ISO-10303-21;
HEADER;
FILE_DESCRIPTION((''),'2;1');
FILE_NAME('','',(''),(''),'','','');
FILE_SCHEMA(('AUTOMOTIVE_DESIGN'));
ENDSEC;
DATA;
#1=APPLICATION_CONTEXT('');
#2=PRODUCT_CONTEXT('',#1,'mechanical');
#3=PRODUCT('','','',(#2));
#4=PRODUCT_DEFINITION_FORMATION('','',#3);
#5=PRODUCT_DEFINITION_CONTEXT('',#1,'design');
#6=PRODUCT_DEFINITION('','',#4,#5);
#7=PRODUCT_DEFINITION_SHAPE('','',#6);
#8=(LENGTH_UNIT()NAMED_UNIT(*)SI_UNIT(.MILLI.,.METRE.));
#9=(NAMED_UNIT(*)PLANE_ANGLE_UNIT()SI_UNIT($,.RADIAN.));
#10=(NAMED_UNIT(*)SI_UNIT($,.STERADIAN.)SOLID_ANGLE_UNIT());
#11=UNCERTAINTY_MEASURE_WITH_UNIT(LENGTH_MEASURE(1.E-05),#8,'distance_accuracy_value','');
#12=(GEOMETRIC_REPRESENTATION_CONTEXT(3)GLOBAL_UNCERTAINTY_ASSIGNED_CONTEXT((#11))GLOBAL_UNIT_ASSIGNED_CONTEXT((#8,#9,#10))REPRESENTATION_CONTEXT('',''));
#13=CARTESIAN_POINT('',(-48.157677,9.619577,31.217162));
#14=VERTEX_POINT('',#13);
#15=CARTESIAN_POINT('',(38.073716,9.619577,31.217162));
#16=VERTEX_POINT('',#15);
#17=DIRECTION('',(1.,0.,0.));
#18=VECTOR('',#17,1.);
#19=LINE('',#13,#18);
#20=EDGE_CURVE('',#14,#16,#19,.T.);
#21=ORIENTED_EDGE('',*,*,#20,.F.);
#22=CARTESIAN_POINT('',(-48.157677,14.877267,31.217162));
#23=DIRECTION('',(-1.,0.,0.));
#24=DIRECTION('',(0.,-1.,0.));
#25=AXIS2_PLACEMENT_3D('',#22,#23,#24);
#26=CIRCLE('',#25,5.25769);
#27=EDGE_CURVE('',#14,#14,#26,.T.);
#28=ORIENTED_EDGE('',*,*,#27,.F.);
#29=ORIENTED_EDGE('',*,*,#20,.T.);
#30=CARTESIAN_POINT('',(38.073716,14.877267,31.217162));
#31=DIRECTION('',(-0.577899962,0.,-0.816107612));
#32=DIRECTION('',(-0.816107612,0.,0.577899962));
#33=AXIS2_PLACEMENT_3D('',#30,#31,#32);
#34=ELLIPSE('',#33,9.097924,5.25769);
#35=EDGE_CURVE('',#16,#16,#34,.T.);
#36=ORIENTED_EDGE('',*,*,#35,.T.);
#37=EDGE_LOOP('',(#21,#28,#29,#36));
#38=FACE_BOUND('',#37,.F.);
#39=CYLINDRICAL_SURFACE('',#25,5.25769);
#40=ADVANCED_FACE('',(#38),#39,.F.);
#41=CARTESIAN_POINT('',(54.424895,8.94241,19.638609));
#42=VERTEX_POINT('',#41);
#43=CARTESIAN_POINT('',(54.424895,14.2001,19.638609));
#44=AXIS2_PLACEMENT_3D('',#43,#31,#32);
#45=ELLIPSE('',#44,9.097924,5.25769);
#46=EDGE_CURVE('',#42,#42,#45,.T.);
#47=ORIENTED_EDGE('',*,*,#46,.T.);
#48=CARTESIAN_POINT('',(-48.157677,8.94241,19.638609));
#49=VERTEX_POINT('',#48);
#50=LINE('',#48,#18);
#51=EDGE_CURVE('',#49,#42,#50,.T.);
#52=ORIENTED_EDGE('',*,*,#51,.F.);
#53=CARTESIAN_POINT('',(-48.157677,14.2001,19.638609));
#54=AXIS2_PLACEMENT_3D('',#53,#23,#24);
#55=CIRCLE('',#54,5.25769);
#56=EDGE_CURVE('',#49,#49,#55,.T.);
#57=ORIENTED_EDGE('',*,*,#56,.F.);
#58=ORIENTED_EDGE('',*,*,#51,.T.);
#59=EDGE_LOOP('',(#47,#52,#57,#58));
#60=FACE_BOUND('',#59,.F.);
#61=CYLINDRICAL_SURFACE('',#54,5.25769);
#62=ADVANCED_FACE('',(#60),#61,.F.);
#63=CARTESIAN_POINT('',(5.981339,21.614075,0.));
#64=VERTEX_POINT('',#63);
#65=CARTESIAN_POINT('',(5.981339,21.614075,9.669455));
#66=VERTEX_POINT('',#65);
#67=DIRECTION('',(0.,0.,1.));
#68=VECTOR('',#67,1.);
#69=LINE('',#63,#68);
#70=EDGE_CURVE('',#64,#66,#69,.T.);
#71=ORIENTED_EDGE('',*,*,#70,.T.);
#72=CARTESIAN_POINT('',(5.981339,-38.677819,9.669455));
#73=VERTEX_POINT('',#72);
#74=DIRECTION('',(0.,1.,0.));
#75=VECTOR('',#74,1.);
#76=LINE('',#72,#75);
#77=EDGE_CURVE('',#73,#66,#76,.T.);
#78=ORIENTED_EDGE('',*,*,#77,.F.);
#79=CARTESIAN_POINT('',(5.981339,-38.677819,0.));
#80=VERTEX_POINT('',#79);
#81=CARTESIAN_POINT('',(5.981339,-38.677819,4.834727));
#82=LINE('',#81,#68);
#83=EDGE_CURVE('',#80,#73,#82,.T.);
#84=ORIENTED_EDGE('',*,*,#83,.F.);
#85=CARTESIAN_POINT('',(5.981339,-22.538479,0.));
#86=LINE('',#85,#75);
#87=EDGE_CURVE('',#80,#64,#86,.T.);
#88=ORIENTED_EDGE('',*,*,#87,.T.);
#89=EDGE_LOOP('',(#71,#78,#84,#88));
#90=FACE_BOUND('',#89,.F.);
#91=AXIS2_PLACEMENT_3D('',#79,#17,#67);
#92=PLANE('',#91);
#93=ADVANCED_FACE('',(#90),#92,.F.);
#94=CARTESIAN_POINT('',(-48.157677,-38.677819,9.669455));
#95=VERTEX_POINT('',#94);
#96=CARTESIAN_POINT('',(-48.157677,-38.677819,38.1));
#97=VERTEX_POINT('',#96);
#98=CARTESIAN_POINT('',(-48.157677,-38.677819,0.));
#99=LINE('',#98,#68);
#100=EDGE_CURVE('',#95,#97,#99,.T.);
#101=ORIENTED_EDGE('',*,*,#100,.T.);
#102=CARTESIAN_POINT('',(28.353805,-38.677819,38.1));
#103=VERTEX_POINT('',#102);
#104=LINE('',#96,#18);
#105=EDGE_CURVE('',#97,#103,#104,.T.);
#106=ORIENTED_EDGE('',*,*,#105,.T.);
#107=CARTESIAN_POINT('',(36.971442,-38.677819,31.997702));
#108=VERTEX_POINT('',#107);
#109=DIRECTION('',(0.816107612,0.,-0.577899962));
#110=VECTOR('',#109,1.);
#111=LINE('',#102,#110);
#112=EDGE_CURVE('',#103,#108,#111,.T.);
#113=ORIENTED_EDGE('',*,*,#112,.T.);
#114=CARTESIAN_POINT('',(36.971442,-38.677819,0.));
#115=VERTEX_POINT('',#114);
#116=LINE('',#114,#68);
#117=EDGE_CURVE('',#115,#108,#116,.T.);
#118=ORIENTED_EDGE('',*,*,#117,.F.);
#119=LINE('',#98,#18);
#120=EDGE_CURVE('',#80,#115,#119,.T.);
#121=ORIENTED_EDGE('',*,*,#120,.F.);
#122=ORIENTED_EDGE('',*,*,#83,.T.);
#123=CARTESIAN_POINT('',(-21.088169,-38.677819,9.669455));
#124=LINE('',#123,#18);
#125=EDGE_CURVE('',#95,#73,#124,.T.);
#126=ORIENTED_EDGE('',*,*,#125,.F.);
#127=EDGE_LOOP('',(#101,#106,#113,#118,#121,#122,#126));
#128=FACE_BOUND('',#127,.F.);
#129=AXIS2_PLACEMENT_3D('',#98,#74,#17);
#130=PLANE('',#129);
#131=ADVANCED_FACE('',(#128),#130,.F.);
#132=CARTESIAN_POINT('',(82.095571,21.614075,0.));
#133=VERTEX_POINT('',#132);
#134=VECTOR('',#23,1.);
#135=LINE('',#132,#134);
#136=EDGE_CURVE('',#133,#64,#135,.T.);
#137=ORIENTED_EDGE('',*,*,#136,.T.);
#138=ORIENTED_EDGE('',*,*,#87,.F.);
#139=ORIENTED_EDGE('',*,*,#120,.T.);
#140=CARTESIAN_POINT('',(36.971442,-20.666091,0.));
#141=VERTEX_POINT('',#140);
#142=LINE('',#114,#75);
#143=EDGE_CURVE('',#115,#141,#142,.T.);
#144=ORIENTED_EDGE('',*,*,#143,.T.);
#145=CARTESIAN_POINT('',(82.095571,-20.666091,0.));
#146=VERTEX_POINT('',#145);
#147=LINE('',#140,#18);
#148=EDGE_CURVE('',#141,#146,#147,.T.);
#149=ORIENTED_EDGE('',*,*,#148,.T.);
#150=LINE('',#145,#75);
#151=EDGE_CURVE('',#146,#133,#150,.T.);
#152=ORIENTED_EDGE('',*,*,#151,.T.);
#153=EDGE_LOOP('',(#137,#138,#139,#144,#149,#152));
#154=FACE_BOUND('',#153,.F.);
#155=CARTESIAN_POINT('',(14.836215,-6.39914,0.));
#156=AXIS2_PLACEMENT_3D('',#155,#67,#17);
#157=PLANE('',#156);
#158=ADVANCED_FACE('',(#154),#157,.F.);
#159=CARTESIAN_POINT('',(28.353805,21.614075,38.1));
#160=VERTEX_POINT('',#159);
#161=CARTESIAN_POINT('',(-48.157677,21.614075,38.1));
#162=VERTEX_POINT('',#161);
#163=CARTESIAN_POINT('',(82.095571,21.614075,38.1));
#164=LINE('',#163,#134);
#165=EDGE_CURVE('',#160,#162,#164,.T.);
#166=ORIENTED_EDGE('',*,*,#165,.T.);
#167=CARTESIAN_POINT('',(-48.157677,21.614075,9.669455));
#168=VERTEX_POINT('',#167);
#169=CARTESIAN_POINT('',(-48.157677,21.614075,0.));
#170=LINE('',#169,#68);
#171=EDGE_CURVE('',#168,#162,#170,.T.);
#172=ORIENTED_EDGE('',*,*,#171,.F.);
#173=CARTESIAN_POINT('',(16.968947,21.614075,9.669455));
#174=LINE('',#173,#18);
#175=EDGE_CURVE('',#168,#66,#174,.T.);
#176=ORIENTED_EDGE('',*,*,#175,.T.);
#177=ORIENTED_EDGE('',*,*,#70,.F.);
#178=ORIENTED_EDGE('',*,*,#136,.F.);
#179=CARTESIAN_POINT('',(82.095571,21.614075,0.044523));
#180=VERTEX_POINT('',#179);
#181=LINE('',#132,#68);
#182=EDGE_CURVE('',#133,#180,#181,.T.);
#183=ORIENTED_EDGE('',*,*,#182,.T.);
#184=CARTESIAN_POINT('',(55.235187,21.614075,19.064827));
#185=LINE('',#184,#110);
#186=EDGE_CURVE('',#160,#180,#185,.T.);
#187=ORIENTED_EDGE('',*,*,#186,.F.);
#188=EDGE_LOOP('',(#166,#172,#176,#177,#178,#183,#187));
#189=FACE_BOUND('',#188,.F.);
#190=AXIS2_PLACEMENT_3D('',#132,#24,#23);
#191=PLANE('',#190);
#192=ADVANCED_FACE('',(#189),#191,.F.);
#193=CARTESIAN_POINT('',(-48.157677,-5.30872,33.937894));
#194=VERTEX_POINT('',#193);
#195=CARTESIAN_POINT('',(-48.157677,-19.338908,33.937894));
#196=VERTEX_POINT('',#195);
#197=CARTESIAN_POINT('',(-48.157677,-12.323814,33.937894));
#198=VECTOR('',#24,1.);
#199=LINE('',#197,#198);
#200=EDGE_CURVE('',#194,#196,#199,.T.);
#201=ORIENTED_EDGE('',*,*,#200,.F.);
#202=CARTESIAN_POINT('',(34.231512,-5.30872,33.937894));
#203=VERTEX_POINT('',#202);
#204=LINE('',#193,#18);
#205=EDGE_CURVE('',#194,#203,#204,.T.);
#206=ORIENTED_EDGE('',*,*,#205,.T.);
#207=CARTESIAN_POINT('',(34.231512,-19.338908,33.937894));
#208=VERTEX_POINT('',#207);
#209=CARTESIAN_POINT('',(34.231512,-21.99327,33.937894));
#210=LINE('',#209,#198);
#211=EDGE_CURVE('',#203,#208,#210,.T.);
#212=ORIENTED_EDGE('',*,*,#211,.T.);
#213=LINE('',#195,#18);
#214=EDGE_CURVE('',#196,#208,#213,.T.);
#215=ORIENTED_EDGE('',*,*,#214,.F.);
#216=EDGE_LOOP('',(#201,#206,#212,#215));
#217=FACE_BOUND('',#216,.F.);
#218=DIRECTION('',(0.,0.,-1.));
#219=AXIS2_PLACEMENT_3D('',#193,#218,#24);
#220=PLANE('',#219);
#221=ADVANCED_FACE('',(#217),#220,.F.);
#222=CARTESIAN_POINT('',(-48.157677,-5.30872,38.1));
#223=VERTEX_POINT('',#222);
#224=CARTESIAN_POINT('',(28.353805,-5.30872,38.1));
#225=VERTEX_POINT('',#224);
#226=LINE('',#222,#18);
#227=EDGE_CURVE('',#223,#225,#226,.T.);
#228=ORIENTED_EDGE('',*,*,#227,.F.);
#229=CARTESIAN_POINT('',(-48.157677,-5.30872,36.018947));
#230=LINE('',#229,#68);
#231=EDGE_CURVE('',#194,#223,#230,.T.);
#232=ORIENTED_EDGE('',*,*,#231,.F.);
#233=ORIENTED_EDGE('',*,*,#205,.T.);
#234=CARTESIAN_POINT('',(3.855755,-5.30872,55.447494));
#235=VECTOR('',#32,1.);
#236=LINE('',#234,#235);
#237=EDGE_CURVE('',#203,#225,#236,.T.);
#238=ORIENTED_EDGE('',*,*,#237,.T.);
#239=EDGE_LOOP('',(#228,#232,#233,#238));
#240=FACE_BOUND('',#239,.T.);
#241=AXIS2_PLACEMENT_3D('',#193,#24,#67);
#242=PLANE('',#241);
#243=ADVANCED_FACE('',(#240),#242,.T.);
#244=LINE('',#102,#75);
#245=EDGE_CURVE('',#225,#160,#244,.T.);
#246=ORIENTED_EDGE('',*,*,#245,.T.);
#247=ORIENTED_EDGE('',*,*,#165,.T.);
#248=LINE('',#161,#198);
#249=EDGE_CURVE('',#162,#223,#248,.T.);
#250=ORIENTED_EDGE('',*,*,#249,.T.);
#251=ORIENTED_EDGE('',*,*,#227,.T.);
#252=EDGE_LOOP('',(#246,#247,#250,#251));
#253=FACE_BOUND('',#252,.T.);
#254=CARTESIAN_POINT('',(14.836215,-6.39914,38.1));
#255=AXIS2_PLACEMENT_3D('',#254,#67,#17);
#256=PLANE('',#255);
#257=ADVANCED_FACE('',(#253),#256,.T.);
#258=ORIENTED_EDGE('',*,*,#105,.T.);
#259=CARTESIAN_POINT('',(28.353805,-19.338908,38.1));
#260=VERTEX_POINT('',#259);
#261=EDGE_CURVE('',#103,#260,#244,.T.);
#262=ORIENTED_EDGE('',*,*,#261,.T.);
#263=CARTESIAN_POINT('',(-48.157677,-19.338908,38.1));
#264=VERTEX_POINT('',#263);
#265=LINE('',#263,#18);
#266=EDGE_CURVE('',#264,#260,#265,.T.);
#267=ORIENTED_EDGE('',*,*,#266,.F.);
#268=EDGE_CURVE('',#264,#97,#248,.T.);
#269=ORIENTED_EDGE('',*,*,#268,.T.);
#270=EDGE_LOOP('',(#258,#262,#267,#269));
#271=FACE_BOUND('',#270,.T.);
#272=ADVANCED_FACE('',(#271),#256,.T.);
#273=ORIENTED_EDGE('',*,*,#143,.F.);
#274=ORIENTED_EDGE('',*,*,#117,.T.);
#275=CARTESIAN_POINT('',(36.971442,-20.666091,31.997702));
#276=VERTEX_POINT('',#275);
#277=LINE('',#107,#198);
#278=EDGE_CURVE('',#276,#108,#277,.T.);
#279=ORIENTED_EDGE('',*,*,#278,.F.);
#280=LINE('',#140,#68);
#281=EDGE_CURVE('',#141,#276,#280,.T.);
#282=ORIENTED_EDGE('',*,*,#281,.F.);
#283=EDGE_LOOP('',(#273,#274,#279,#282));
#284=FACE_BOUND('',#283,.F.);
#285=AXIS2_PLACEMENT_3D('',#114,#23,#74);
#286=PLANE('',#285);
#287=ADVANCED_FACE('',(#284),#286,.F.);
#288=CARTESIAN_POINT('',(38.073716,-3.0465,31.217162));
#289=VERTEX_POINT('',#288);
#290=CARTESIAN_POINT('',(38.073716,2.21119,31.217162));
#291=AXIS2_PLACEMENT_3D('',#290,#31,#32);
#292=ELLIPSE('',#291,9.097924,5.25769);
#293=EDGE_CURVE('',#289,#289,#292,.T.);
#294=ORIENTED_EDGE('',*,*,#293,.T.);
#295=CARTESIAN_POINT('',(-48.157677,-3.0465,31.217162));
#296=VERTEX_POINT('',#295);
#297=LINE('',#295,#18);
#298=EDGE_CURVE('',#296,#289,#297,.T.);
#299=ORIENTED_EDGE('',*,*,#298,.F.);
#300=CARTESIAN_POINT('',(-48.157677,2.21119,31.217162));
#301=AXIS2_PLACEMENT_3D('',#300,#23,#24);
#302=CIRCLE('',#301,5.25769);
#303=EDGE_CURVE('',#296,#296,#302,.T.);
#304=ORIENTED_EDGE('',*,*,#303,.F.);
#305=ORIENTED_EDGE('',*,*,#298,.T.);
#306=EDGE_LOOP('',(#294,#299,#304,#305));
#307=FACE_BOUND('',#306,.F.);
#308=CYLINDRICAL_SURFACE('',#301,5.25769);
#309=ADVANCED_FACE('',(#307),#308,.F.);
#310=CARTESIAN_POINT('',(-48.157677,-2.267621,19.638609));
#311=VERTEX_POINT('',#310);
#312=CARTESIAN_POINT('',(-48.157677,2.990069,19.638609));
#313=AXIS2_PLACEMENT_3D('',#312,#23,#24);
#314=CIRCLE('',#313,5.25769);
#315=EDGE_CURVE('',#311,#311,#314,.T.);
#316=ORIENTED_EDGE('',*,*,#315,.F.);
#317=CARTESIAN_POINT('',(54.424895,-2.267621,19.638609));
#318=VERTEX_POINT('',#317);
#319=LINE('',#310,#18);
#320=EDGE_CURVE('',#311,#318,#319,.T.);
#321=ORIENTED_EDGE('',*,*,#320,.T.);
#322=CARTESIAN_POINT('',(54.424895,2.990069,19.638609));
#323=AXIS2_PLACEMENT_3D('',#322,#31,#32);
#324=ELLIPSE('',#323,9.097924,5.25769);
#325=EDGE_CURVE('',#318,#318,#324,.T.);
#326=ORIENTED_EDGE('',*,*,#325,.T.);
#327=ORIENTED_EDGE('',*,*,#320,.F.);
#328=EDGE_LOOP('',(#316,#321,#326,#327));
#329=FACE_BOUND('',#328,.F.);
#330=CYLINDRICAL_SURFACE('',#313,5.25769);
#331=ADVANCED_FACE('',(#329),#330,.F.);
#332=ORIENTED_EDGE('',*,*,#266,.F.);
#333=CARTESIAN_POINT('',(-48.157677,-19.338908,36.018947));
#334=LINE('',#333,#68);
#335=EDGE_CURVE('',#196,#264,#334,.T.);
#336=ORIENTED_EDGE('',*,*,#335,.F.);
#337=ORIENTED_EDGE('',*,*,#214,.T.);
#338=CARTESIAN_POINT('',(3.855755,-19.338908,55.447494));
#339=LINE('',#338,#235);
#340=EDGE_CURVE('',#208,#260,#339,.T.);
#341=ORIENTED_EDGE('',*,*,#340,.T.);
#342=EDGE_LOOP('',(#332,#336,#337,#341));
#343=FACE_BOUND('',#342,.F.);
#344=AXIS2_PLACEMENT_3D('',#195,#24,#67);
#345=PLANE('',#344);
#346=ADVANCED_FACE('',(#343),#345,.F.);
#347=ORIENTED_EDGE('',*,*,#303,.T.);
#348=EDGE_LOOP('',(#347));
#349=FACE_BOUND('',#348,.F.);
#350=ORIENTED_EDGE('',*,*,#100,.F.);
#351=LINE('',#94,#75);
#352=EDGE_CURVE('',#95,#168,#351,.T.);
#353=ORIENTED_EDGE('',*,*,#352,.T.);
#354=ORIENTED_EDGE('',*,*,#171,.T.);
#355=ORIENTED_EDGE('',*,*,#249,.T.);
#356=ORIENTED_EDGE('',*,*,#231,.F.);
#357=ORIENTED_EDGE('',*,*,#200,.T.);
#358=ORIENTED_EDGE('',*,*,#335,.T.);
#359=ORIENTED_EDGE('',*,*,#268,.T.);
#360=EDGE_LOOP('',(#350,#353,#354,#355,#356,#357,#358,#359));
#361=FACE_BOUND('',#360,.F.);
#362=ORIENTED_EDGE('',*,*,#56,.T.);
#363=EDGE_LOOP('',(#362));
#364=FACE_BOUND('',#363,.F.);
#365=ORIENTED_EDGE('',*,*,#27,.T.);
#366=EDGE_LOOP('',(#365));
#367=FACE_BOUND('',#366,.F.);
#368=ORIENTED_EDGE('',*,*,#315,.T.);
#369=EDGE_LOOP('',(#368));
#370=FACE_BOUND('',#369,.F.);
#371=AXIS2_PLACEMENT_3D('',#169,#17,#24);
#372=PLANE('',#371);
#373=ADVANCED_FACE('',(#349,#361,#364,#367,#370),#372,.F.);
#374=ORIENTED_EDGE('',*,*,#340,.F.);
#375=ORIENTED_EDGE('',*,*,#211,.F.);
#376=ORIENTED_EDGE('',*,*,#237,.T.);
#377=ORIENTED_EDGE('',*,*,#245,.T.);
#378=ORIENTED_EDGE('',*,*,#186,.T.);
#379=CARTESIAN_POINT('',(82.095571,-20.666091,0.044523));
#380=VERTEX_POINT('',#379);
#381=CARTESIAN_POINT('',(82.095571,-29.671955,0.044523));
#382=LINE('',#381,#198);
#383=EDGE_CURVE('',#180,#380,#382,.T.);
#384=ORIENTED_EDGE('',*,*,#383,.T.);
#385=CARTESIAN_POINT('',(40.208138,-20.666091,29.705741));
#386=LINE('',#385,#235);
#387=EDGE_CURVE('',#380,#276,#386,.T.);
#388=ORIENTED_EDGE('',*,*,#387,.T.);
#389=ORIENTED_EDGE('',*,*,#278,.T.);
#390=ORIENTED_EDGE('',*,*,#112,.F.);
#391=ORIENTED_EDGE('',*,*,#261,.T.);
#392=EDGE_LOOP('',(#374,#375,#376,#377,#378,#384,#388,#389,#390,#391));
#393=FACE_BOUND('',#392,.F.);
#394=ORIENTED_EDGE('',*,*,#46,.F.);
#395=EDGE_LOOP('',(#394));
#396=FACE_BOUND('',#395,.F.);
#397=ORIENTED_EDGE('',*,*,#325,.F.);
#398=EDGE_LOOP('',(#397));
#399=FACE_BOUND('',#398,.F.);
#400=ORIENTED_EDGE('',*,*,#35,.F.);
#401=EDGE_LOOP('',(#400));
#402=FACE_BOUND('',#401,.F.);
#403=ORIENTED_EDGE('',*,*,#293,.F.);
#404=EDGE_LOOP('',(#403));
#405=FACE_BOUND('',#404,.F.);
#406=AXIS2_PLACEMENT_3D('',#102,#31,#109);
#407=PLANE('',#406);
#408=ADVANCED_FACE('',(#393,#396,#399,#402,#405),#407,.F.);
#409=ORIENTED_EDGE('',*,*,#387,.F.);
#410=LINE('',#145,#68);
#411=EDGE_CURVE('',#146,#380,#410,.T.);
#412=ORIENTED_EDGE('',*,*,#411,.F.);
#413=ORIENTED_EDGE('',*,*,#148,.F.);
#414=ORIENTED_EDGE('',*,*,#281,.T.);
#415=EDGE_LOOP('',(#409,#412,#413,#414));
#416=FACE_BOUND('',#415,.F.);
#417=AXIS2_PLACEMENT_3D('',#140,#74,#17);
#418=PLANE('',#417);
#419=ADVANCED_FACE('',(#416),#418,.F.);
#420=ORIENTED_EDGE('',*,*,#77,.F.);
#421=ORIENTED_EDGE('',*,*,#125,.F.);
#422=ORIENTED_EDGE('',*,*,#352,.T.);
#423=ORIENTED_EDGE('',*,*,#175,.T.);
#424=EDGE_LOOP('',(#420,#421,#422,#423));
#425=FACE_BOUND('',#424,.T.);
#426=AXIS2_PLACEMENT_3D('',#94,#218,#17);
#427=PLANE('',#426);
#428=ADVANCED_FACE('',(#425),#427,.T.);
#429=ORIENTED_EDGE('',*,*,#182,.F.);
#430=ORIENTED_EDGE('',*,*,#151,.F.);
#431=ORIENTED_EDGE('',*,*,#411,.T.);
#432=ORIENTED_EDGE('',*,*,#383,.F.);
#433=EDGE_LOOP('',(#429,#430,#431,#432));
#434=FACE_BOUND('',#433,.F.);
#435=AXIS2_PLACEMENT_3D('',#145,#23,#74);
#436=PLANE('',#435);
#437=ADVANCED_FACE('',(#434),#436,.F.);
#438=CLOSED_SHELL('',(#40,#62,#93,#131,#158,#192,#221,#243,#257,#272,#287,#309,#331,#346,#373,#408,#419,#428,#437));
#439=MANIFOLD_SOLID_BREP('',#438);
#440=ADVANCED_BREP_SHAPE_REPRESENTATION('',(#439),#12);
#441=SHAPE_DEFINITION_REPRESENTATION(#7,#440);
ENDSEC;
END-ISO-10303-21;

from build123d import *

# Parameters (mm, degrees)
F1_DEPTH = 38.1
F3_DEPTH = 60.292894
F5_R     = 5.25769
F5_W     = 14.030187
F5_H     = 4.162106
F6_DEPTH = 130.254248
F4_W     = 54.139016
F4_H     = 9.669455
F7_DEPTH = 60.292894


with BuildPart() as f1:
    # F0 (on Top) → F1 (new body)
    with BuildSketch(Plane.XY):
        Polygon((82.095571, 21.614075), (-48.157677, 21.614075), (-48.157677, -38.677819), (36.971442, -38.677819), (36.971442, -20.666091), (82.095571, -20.666091), align=None)
    extrude(amount=F1_DEPTH)

    # F2 (on face) → F3 (cut, through all)
    with BuildSketch(Plane.XZ.offset(38.677819)):
        Polygon((82.158446, 38.1), (28.353805, 38.1), (82.158446, 0), align=None)
    extrude(amount=-F3_DEPTH, mode=Mode.SUBTRACT)

    # F5 (on face) → F6 (cut, through all)
    with BuildSketch(Plane(origin=(-48.157677, 0, 0), x_dir=(0, -1, 0), z_dir=(-1, 0, 0))):
        with Locations((-14.877267, 31.217162)):
            Circle(F5_R)
        with Locations((-2.21119, 31.217162)):
            Circle(F5_R)
        with Locations((-2.990069, 19.638609)):
            Circle(F5_R)
        with Locations((-14.2001, 19.638609)):
            Circle(F5_R)
        with Locations((12.323814, 36.018947)):
            Rectangle(F5_W, F5_H)
    extrude(amount=-F6_DEPTH, mode=Mode.SUBTRACT)

    # F4 (on face) → F7 (cut, through all)
    with BuildSketch(Plane.XZ.offset(38.677819)):
        with Locations((-21.088169, 4.834727)):
            Rectangle(F4_W, F4_H)
    extrude(amount=-F7_DEPTH, mode=Mode.SUBTRACT)


solid = f1.part
